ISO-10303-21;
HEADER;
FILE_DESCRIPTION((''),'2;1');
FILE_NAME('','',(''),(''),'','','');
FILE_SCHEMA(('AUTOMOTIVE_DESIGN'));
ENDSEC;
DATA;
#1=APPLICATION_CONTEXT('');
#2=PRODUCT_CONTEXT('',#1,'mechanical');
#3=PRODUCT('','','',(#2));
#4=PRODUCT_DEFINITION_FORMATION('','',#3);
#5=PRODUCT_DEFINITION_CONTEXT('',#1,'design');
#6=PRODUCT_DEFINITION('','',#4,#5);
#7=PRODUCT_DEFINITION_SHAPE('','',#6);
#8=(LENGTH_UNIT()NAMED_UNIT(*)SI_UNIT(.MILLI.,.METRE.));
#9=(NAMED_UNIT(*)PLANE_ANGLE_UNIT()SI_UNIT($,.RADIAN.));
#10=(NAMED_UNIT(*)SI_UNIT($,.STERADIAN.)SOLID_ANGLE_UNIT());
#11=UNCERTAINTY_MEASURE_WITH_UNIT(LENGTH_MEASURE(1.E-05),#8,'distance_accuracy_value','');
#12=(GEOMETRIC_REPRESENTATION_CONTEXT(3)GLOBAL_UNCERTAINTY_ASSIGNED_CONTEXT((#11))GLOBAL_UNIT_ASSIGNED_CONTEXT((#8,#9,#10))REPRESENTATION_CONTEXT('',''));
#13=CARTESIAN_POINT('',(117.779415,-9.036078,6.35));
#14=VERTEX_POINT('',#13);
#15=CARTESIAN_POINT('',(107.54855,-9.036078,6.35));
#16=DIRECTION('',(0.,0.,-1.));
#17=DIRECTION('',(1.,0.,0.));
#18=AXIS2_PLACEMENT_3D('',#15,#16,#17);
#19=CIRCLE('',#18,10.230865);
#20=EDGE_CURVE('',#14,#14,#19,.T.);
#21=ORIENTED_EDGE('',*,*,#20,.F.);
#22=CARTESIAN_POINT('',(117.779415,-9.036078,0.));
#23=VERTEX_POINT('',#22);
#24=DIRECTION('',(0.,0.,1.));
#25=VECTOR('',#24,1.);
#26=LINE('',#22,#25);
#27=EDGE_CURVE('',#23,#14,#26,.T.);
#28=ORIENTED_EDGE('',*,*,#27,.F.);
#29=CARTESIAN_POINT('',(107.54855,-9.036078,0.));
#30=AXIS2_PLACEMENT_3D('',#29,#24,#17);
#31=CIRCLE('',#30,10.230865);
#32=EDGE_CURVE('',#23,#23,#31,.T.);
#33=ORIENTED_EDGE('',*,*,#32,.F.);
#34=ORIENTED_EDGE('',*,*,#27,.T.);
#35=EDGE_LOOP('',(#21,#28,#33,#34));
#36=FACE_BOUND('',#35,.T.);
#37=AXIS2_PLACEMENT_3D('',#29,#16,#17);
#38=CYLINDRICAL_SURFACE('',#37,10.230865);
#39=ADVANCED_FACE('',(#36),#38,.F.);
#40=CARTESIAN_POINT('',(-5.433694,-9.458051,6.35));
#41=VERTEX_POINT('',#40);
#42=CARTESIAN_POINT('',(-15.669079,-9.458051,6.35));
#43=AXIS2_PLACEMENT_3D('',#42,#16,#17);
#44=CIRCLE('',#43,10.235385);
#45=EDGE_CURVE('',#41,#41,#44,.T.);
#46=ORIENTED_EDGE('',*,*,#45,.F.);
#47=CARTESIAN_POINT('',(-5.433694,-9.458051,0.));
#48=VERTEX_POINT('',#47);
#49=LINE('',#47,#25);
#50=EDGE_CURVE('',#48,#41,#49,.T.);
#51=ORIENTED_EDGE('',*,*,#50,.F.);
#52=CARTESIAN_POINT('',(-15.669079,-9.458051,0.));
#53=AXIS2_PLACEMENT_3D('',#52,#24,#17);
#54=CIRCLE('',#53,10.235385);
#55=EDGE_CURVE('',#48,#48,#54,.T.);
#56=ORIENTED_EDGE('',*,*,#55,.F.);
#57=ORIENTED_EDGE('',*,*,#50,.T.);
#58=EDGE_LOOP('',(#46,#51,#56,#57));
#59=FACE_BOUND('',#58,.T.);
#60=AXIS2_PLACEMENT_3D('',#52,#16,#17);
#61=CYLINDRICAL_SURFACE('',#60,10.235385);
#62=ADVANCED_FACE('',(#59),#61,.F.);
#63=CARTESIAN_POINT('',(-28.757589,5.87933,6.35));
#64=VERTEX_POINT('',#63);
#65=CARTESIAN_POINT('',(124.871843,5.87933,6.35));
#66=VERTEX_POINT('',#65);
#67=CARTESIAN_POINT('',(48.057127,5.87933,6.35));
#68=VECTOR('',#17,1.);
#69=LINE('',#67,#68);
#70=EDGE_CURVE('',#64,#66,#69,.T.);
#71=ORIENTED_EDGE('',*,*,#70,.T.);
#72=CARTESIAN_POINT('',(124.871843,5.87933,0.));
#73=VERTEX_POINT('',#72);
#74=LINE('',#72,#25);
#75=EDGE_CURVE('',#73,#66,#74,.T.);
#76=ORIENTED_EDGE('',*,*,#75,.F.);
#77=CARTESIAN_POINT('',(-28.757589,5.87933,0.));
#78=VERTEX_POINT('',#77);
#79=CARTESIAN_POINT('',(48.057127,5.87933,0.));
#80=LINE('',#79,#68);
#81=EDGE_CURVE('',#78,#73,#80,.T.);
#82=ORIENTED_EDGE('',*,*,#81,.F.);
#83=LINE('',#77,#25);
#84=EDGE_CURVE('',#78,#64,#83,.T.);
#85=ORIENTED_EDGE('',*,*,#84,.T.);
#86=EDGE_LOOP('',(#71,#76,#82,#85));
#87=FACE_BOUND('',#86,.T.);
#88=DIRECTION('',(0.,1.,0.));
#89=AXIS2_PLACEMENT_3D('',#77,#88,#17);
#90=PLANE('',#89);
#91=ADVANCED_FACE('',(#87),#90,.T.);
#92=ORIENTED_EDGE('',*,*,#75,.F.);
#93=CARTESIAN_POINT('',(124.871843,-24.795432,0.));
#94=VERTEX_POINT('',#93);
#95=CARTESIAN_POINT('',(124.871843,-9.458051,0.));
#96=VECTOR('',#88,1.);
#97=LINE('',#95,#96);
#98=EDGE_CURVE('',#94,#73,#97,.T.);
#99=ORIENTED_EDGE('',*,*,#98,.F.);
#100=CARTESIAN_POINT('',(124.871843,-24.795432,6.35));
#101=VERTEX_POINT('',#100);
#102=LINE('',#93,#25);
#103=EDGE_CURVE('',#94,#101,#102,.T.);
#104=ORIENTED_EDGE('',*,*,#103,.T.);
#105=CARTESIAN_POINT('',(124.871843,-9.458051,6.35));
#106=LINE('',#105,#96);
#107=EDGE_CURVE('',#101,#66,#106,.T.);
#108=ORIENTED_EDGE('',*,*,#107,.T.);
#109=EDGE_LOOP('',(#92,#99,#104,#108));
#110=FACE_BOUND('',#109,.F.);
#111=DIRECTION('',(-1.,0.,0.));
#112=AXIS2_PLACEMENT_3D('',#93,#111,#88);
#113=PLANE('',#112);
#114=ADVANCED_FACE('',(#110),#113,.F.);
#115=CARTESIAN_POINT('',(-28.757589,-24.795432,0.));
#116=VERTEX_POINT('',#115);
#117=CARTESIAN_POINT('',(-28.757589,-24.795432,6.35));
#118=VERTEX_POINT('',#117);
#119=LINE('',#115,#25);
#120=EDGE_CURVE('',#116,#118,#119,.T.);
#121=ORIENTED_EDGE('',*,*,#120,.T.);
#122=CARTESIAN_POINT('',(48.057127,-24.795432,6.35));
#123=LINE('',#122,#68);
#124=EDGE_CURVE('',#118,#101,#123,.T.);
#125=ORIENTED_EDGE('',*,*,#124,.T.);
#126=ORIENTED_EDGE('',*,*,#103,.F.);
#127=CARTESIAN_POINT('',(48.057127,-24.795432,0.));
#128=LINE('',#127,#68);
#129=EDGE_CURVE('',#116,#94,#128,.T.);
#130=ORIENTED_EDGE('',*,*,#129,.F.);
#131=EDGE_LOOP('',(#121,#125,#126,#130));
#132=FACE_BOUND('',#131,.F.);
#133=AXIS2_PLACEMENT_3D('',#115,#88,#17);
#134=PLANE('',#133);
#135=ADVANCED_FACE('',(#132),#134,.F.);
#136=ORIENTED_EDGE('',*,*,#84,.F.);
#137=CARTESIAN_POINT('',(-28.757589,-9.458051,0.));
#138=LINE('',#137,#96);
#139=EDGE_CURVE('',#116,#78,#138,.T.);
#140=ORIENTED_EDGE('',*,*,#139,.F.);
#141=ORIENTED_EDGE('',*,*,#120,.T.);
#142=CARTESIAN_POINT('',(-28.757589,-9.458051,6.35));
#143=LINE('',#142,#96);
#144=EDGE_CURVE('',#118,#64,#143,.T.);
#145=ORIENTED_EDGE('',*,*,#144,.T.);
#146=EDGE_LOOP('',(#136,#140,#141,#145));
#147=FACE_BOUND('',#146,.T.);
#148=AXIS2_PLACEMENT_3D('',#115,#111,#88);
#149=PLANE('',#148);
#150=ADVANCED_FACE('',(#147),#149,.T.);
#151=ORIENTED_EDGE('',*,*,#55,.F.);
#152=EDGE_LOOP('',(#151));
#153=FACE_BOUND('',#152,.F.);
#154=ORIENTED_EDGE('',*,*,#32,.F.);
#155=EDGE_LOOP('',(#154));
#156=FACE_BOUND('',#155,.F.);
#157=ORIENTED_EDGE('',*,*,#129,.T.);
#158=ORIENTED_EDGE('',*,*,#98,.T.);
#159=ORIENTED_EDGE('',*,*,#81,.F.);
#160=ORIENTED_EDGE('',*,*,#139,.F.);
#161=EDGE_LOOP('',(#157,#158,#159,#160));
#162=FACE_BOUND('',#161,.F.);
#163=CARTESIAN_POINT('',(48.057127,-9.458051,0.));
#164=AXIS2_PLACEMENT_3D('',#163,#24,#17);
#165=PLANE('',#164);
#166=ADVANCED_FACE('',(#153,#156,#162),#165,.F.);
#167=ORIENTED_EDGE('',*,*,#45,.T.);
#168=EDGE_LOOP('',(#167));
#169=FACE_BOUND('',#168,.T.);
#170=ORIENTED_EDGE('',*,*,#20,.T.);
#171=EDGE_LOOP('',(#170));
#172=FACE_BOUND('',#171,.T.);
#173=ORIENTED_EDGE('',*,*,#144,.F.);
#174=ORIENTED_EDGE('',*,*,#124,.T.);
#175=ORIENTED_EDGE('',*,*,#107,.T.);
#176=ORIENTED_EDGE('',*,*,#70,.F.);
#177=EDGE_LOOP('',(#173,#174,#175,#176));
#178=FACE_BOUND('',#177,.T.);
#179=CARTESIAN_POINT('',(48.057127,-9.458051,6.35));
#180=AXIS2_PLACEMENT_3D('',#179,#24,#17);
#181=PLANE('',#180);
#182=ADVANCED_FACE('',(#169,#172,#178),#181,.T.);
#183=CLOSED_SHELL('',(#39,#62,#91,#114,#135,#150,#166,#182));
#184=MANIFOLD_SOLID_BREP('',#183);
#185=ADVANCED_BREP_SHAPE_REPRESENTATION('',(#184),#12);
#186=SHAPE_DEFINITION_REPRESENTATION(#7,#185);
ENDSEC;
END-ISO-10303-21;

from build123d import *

# Parameters (mm, degrees)
F0_W     = 153.629432
F0_H     = 30.674762
F1_DEPTH = 6.35
F2_R     = 10.235385
F2_R_2   = 10.230865
F3_DEPTH = 25.4


with BuildPart() as f1:
    # F0 (on Top) → F1 (new body)
    with BuildSketch(Plane.XY):
        with Locations((48.057127, -9.458051)):
            Rectangle(F0_W, F0_H)
    extrude(amount=F1_DEPTH)

    # F2 (on Top) → F3 (cut)
    with BuildSketch(Plane.XY):
        with Locations((-15.669079, -9.458051)):
            Circle(F2_R)
        with Locations((107.54855, -9.036078)):
            Circle(F2_R_2)
    extrude(amount=F3_DEPTH, mode=Mode.SUBTRACT)


solid = f1.part
